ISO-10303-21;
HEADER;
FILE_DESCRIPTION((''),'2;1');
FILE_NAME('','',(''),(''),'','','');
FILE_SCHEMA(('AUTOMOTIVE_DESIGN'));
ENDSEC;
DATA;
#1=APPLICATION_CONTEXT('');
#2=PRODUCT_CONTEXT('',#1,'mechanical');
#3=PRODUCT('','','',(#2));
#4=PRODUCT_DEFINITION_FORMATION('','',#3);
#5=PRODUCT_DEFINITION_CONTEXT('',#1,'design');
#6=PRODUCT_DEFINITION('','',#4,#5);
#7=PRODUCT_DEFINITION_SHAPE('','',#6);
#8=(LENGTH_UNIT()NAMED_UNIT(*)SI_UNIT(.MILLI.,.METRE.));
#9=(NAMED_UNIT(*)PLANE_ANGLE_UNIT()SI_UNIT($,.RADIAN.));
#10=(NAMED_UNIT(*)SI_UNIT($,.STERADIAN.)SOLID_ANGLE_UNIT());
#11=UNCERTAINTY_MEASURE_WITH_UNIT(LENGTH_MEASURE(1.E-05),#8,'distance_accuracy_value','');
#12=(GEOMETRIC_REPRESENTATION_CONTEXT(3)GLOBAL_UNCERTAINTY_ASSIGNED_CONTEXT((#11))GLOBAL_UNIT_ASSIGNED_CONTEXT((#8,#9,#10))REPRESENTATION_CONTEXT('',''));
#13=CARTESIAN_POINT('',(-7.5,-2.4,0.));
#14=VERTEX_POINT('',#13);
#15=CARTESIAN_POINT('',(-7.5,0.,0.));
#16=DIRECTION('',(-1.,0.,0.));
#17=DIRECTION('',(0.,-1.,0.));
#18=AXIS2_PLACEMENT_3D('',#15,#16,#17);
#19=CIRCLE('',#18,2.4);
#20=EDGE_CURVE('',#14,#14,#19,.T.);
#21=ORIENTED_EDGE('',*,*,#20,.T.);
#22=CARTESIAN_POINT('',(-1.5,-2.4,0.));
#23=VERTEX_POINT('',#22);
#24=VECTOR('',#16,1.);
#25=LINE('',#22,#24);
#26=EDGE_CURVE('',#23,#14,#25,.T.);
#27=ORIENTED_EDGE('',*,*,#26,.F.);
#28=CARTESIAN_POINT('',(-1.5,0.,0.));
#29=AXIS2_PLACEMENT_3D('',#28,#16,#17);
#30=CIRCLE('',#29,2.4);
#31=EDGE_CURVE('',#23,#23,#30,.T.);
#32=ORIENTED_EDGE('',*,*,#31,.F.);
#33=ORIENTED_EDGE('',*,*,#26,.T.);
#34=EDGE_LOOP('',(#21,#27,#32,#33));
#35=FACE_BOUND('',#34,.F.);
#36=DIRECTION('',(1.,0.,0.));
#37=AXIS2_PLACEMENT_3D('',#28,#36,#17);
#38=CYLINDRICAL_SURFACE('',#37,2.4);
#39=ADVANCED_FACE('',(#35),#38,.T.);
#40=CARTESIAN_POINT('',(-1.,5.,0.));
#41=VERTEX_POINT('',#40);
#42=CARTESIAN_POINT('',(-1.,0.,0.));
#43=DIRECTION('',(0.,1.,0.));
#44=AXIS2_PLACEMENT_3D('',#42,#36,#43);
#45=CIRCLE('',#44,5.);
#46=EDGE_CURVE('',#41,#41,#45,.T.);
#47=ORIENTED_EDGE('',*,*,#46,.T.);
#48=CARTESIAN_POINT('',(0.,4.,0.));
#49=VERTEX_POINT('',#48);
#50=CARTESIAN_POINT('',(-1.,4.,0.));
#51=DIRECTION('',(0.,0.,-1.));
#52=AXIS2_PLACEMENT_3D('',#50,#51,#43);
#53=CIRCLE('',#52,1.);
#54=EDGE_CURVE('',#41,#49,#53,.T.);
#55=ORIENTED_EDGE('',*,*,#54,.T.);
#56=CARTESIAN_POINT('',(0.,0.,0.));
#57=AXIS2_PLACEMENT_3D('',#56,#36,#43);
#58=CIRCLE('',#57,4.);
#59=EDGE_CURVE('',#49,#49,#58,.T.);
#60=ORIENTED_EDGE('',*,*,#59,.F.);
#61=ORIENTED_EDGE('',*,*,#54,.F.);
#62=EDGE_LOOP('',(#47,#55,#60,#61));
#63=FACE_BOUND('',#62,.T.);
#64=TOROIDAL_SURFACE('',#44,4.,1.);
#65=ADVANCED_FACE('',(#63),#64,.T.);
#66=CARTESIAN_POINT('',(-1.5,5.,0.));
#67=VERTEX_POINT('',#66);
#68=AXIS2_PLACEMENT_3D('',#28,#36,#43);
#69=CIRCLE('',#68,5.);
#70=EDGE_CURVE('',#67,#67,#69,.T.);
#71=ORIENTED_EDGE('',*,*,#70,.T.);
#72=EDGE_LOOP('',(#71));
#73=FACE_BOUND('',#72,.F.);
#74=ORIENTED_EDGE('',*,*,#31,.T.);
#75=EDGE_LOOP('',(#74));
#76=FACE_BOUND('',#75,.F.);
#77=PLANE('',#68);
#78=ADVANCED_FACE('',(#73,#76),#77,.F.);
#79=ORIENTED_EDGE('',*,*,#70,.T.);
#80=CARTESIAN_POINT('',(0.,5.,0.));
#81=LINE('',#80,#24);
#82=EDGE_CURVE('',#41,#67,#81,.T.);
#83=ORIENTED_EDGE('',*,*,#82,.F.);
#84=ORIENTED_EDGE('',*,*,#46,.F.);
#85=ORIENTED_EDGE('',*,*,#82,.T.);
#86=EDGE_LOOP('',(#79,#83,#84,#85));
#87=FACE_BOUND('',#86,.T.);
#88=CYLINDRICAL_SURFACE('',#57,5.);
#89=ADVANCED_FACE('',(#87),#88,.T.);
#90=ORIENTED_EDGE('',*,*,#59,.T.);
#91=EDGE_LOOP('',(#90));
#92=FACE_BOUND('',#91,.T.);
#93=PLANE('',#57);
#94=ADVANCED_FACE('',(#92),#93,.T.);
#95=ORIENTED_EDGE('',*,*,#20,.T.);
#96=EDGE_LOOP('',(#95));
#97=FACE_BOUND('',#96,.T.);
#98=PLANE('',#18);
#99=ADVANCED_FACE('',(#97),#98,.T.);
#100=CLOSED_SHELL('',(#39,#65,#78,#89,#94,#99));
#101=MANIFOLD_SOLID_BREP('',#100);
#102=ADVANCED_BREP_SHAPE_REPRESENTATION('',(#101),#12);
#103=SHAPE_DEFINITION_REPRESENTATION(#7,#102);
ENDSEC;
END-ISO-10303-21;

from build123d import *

# Parameters (mm, degrees)
F0_R     = 5
F1_DEPTH = 1.5
F2_R     = 1
F3_R     = 2.4
F4_DEPTH = 6


with BuildPart() as f1:
    # F0 (on Right) → F1 (new body)
    with BuildSketch(Plane.YZ):
        Circle(F0_R)
    extrude(amount=-F1_DEPTH)

    # F2
    f2_edges = [f1.edges().sort_by_distance(p)[0] for p in [
        (0, -5, 0),
    ]]
    fillet(f2_edges, radius=F2_R)

    # F3 (on face) → F4 (join)
    with BuildSketch(Plane(origin=(-1.5, 0, 0), x_dir=(0, -1, 0), z_dir=(-1, 0, 0))):
        Circle(F3_R)
    extrude(amount=F4_DEPTH)


solid = f1.part
